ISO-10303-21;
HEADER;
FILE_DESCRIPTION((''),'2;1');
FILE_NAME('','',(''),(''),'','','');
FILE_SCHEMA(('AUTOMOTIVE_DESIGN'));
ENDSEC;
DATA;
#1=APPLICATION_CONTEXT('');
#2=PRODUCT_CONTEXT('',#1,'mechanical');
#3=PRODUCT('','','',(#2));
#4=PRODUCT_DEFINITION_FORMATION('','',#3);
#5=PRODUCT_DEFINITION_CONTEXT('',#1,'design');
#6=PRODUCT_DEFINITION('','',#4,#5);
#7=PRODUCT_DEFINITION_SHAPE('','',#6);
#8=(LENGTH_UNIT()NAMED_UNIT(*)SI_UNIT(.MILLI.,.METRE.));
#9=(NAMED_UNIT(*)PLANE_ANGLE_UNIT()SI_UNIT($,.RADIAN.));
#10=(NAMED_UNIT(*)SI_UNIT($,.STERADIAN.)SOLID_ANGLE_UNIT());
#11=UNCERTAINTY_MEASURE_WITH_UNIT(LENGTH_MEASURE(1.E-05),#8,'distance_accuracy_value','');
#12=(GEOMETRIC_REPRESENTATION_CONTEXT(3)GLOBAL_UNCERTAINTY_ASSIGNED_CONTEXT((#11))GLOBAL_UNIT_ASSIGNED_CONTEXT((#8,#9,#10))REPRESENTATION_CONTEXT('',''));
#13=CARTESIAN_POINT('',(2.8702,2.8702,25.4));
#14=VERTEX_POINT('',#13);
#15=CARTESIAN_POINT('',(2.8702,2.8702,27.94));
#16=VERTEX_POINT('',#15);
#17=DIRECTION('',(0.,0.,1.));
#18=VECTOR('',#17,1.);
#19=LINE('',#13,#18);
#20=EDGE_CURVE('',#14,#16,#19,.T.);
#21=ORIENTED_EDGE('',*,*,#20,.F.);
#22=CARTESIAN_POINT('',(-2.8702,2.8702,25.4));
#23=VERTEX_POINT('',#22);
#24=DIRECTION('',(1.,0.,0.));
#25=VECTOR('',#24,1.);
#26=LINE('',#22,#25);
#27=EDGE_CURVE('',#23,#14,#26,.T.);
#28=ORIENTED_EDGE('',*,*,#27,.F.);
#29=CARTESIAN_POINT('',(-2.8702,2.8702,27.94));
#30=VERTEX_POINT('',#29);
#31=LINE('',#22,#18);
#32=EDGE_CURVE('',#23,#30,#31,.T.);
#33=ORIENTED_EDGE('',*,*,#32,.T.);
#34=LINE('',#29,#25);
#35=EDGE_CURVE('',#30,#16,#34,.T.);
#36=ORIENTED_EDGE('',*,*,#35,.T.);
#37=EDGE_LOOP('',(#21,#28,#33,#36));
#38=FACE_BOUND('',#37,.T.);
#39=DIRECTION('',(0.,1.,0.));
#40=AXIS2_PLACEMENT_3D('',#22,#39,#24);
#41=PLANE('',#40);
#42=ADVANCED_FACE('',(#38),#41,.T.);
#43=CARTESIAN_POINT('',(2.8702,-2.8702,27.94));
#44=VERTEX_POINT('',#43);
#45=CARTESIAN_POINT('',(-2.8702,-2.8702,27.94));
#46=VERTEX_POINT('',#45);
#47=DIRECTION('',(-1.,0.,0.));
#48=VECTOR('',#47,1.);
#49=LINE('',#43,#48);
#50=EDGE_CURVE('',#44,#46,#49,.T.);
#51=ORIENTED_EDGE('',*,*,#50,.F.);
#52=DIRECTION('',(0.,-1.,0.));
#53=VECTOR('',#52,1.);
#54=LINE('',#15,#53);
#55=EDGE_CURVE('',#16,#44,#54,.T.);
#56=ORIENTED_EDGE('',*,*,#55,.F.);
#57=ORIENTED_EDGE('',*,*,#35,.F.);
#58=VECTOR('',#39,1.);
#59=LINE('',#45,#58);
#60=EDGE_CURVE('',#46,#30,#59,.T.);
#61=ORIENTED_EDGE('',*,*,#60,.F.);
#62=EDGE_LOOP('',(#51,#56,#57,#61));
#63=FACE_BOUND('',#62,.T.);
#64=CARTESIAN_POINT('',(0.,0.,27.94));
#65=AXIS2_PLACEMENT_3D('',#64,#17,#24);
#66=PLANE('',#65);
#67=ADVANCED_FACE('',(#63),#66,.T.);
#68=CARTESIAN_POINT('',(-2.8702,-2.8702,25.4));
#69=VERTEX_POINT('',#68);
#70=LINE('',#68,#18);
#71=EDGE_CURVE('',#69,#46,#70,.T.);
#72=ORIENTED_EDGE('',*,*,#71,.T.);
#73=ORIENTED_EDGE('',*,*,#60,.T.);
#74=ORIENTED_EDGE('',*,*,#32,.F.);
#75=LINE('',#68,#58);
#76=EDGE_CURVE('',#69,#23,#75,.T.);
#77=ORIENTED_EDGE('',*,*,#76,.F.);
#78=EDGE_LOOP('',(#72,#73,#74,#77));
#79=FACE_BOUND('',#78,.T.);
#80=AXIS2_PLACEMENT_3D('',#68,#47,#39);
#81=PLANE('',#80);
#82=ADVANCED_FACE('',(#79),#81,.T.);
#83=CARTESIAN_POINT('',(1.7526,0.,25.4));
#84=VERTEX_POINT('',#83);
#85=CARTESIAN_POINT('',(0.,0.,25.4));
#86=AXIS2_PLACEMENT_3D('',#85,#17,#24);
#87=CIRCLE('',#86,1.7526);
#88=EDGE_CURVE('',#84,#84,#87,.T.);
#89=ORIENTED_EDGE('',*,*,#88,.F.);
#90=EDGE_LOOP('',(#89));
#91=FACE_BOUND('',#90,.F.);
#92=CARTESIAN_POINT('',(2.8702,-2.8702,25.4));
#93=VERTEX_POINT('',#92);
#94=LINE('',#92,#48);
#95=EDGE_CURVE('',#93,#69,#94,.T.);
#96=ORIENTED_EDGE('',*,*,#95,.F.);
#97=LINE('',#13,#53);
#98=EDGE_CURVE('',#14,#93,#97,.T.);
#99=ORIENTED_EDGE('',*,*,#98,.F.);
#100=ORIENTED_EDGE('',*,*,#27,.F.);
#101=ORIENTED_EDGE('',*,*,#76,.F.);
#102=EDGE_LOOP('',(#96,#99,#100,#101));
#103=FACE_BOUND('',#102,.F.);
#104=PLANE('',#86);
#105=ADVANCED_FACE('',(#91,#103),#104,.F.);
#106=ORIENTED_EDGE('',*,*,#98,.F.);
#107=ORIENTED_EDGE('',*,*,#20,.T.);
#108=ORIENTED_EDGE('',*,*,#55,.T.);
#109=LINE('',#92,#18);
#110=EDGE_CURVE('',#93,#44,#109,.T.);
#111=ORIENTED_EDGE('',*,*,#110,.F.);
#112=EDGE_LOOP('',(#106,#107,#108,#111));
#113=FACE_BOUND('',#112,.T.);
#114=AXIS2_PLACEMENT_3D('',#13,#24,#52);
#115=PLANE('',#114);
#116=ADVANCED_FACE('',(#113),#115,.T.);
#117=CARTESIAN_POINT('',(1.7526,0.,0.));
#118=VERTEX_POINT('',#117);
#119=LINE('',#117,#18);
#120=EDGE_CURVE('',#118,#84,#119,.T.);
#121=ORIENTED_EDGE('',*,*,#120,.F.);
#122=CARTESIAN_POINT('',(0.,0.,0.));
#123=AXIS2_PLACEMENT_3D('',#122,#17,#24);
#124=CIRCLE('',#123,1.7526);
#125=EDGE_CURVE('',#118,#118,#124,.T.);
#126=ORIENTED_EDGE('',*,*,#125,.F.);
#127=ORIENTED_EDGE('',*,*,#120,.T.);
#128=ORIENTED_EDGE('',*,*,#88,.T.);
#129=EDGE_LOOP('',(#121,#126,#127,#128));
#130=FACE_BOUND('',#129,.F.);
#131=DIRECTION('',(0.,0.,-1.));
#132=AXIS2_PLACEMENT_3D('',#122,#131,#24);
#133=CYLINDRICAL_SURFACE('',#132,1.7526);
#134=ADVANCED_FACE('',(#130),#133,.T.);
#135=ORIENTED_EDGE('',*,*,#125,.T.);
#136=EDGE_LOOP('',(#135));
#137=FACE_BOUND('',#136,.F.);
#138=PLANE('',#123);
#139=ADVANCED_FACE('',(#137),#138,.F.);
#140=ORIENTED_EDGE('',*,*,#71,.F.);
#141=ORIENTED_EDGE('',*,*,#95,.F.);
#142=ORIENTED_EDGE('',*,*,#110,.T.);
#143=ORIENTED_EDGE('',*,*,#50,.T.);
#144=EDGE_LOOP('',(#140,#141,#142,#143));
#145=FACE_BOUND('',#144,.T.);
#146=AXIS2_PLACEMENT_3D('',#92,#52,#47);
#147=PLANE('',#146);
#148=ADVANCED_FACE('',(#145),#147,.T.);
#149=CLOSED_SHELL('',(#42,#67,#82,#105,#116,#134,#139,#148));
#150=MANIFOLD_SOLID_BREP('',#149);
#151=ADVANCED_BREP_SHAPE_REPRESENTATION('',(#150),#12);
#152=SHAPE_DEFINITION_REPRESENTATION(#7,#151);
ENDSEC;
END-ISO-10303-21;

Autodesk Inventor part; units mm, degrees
ref_plane "YZ Plane" through (0, 0, 0) normal (1, 0, 0) x (0, 1, 0)
ref_plane "XZ Plane" through (0, 0, 0) normal (0, 1, 0) x (-1, 0, 0)
ref_plane "XY Plane" through (0, 0, 0) normal (0, 0, 1) x (1, 0, 0)
sketch "Sketch1" plane through (0, 0, 0) normal (0, 0, 1) x (1, 0, 0)
  circle A0 centre (0, 0) radius 1.7526
  dimension "d0" = 3.5052
extrude "Extrusion1" add sketch "Sketch1" along normal blind 25.4
sketch "Sketch2" plane through (0, 0, 25.4) normal (0, 0, 1) x (1, 0, 0)
  line L0 (-2.8702, 2.8702) -> (2.8702, 2.8702)
  line L1 (2.8702, 2.8702) -> (2.8702, -2.8702)
  line L2 (2.8702, -2.8702) -> (-2.8702, -2.8702)
  line L3 (-2.8702, -2.8702) -> (-2.8702, 2.8702)
  point P0 (0, 0)
  dimension "d3" = 5.7404
  dimension "d4" = 5.7404
  dimension "d5" = 2.8702
  dimension "d6" = 2.8702
  dimension "d7" = 2.8702
extrude "Extrusion2" add sketch "Sketch2" along normal blind 2.54
thread "Thread1" size "6-32 UNC" class "2A" standard "ANSI Unified Screw Threads" full length
